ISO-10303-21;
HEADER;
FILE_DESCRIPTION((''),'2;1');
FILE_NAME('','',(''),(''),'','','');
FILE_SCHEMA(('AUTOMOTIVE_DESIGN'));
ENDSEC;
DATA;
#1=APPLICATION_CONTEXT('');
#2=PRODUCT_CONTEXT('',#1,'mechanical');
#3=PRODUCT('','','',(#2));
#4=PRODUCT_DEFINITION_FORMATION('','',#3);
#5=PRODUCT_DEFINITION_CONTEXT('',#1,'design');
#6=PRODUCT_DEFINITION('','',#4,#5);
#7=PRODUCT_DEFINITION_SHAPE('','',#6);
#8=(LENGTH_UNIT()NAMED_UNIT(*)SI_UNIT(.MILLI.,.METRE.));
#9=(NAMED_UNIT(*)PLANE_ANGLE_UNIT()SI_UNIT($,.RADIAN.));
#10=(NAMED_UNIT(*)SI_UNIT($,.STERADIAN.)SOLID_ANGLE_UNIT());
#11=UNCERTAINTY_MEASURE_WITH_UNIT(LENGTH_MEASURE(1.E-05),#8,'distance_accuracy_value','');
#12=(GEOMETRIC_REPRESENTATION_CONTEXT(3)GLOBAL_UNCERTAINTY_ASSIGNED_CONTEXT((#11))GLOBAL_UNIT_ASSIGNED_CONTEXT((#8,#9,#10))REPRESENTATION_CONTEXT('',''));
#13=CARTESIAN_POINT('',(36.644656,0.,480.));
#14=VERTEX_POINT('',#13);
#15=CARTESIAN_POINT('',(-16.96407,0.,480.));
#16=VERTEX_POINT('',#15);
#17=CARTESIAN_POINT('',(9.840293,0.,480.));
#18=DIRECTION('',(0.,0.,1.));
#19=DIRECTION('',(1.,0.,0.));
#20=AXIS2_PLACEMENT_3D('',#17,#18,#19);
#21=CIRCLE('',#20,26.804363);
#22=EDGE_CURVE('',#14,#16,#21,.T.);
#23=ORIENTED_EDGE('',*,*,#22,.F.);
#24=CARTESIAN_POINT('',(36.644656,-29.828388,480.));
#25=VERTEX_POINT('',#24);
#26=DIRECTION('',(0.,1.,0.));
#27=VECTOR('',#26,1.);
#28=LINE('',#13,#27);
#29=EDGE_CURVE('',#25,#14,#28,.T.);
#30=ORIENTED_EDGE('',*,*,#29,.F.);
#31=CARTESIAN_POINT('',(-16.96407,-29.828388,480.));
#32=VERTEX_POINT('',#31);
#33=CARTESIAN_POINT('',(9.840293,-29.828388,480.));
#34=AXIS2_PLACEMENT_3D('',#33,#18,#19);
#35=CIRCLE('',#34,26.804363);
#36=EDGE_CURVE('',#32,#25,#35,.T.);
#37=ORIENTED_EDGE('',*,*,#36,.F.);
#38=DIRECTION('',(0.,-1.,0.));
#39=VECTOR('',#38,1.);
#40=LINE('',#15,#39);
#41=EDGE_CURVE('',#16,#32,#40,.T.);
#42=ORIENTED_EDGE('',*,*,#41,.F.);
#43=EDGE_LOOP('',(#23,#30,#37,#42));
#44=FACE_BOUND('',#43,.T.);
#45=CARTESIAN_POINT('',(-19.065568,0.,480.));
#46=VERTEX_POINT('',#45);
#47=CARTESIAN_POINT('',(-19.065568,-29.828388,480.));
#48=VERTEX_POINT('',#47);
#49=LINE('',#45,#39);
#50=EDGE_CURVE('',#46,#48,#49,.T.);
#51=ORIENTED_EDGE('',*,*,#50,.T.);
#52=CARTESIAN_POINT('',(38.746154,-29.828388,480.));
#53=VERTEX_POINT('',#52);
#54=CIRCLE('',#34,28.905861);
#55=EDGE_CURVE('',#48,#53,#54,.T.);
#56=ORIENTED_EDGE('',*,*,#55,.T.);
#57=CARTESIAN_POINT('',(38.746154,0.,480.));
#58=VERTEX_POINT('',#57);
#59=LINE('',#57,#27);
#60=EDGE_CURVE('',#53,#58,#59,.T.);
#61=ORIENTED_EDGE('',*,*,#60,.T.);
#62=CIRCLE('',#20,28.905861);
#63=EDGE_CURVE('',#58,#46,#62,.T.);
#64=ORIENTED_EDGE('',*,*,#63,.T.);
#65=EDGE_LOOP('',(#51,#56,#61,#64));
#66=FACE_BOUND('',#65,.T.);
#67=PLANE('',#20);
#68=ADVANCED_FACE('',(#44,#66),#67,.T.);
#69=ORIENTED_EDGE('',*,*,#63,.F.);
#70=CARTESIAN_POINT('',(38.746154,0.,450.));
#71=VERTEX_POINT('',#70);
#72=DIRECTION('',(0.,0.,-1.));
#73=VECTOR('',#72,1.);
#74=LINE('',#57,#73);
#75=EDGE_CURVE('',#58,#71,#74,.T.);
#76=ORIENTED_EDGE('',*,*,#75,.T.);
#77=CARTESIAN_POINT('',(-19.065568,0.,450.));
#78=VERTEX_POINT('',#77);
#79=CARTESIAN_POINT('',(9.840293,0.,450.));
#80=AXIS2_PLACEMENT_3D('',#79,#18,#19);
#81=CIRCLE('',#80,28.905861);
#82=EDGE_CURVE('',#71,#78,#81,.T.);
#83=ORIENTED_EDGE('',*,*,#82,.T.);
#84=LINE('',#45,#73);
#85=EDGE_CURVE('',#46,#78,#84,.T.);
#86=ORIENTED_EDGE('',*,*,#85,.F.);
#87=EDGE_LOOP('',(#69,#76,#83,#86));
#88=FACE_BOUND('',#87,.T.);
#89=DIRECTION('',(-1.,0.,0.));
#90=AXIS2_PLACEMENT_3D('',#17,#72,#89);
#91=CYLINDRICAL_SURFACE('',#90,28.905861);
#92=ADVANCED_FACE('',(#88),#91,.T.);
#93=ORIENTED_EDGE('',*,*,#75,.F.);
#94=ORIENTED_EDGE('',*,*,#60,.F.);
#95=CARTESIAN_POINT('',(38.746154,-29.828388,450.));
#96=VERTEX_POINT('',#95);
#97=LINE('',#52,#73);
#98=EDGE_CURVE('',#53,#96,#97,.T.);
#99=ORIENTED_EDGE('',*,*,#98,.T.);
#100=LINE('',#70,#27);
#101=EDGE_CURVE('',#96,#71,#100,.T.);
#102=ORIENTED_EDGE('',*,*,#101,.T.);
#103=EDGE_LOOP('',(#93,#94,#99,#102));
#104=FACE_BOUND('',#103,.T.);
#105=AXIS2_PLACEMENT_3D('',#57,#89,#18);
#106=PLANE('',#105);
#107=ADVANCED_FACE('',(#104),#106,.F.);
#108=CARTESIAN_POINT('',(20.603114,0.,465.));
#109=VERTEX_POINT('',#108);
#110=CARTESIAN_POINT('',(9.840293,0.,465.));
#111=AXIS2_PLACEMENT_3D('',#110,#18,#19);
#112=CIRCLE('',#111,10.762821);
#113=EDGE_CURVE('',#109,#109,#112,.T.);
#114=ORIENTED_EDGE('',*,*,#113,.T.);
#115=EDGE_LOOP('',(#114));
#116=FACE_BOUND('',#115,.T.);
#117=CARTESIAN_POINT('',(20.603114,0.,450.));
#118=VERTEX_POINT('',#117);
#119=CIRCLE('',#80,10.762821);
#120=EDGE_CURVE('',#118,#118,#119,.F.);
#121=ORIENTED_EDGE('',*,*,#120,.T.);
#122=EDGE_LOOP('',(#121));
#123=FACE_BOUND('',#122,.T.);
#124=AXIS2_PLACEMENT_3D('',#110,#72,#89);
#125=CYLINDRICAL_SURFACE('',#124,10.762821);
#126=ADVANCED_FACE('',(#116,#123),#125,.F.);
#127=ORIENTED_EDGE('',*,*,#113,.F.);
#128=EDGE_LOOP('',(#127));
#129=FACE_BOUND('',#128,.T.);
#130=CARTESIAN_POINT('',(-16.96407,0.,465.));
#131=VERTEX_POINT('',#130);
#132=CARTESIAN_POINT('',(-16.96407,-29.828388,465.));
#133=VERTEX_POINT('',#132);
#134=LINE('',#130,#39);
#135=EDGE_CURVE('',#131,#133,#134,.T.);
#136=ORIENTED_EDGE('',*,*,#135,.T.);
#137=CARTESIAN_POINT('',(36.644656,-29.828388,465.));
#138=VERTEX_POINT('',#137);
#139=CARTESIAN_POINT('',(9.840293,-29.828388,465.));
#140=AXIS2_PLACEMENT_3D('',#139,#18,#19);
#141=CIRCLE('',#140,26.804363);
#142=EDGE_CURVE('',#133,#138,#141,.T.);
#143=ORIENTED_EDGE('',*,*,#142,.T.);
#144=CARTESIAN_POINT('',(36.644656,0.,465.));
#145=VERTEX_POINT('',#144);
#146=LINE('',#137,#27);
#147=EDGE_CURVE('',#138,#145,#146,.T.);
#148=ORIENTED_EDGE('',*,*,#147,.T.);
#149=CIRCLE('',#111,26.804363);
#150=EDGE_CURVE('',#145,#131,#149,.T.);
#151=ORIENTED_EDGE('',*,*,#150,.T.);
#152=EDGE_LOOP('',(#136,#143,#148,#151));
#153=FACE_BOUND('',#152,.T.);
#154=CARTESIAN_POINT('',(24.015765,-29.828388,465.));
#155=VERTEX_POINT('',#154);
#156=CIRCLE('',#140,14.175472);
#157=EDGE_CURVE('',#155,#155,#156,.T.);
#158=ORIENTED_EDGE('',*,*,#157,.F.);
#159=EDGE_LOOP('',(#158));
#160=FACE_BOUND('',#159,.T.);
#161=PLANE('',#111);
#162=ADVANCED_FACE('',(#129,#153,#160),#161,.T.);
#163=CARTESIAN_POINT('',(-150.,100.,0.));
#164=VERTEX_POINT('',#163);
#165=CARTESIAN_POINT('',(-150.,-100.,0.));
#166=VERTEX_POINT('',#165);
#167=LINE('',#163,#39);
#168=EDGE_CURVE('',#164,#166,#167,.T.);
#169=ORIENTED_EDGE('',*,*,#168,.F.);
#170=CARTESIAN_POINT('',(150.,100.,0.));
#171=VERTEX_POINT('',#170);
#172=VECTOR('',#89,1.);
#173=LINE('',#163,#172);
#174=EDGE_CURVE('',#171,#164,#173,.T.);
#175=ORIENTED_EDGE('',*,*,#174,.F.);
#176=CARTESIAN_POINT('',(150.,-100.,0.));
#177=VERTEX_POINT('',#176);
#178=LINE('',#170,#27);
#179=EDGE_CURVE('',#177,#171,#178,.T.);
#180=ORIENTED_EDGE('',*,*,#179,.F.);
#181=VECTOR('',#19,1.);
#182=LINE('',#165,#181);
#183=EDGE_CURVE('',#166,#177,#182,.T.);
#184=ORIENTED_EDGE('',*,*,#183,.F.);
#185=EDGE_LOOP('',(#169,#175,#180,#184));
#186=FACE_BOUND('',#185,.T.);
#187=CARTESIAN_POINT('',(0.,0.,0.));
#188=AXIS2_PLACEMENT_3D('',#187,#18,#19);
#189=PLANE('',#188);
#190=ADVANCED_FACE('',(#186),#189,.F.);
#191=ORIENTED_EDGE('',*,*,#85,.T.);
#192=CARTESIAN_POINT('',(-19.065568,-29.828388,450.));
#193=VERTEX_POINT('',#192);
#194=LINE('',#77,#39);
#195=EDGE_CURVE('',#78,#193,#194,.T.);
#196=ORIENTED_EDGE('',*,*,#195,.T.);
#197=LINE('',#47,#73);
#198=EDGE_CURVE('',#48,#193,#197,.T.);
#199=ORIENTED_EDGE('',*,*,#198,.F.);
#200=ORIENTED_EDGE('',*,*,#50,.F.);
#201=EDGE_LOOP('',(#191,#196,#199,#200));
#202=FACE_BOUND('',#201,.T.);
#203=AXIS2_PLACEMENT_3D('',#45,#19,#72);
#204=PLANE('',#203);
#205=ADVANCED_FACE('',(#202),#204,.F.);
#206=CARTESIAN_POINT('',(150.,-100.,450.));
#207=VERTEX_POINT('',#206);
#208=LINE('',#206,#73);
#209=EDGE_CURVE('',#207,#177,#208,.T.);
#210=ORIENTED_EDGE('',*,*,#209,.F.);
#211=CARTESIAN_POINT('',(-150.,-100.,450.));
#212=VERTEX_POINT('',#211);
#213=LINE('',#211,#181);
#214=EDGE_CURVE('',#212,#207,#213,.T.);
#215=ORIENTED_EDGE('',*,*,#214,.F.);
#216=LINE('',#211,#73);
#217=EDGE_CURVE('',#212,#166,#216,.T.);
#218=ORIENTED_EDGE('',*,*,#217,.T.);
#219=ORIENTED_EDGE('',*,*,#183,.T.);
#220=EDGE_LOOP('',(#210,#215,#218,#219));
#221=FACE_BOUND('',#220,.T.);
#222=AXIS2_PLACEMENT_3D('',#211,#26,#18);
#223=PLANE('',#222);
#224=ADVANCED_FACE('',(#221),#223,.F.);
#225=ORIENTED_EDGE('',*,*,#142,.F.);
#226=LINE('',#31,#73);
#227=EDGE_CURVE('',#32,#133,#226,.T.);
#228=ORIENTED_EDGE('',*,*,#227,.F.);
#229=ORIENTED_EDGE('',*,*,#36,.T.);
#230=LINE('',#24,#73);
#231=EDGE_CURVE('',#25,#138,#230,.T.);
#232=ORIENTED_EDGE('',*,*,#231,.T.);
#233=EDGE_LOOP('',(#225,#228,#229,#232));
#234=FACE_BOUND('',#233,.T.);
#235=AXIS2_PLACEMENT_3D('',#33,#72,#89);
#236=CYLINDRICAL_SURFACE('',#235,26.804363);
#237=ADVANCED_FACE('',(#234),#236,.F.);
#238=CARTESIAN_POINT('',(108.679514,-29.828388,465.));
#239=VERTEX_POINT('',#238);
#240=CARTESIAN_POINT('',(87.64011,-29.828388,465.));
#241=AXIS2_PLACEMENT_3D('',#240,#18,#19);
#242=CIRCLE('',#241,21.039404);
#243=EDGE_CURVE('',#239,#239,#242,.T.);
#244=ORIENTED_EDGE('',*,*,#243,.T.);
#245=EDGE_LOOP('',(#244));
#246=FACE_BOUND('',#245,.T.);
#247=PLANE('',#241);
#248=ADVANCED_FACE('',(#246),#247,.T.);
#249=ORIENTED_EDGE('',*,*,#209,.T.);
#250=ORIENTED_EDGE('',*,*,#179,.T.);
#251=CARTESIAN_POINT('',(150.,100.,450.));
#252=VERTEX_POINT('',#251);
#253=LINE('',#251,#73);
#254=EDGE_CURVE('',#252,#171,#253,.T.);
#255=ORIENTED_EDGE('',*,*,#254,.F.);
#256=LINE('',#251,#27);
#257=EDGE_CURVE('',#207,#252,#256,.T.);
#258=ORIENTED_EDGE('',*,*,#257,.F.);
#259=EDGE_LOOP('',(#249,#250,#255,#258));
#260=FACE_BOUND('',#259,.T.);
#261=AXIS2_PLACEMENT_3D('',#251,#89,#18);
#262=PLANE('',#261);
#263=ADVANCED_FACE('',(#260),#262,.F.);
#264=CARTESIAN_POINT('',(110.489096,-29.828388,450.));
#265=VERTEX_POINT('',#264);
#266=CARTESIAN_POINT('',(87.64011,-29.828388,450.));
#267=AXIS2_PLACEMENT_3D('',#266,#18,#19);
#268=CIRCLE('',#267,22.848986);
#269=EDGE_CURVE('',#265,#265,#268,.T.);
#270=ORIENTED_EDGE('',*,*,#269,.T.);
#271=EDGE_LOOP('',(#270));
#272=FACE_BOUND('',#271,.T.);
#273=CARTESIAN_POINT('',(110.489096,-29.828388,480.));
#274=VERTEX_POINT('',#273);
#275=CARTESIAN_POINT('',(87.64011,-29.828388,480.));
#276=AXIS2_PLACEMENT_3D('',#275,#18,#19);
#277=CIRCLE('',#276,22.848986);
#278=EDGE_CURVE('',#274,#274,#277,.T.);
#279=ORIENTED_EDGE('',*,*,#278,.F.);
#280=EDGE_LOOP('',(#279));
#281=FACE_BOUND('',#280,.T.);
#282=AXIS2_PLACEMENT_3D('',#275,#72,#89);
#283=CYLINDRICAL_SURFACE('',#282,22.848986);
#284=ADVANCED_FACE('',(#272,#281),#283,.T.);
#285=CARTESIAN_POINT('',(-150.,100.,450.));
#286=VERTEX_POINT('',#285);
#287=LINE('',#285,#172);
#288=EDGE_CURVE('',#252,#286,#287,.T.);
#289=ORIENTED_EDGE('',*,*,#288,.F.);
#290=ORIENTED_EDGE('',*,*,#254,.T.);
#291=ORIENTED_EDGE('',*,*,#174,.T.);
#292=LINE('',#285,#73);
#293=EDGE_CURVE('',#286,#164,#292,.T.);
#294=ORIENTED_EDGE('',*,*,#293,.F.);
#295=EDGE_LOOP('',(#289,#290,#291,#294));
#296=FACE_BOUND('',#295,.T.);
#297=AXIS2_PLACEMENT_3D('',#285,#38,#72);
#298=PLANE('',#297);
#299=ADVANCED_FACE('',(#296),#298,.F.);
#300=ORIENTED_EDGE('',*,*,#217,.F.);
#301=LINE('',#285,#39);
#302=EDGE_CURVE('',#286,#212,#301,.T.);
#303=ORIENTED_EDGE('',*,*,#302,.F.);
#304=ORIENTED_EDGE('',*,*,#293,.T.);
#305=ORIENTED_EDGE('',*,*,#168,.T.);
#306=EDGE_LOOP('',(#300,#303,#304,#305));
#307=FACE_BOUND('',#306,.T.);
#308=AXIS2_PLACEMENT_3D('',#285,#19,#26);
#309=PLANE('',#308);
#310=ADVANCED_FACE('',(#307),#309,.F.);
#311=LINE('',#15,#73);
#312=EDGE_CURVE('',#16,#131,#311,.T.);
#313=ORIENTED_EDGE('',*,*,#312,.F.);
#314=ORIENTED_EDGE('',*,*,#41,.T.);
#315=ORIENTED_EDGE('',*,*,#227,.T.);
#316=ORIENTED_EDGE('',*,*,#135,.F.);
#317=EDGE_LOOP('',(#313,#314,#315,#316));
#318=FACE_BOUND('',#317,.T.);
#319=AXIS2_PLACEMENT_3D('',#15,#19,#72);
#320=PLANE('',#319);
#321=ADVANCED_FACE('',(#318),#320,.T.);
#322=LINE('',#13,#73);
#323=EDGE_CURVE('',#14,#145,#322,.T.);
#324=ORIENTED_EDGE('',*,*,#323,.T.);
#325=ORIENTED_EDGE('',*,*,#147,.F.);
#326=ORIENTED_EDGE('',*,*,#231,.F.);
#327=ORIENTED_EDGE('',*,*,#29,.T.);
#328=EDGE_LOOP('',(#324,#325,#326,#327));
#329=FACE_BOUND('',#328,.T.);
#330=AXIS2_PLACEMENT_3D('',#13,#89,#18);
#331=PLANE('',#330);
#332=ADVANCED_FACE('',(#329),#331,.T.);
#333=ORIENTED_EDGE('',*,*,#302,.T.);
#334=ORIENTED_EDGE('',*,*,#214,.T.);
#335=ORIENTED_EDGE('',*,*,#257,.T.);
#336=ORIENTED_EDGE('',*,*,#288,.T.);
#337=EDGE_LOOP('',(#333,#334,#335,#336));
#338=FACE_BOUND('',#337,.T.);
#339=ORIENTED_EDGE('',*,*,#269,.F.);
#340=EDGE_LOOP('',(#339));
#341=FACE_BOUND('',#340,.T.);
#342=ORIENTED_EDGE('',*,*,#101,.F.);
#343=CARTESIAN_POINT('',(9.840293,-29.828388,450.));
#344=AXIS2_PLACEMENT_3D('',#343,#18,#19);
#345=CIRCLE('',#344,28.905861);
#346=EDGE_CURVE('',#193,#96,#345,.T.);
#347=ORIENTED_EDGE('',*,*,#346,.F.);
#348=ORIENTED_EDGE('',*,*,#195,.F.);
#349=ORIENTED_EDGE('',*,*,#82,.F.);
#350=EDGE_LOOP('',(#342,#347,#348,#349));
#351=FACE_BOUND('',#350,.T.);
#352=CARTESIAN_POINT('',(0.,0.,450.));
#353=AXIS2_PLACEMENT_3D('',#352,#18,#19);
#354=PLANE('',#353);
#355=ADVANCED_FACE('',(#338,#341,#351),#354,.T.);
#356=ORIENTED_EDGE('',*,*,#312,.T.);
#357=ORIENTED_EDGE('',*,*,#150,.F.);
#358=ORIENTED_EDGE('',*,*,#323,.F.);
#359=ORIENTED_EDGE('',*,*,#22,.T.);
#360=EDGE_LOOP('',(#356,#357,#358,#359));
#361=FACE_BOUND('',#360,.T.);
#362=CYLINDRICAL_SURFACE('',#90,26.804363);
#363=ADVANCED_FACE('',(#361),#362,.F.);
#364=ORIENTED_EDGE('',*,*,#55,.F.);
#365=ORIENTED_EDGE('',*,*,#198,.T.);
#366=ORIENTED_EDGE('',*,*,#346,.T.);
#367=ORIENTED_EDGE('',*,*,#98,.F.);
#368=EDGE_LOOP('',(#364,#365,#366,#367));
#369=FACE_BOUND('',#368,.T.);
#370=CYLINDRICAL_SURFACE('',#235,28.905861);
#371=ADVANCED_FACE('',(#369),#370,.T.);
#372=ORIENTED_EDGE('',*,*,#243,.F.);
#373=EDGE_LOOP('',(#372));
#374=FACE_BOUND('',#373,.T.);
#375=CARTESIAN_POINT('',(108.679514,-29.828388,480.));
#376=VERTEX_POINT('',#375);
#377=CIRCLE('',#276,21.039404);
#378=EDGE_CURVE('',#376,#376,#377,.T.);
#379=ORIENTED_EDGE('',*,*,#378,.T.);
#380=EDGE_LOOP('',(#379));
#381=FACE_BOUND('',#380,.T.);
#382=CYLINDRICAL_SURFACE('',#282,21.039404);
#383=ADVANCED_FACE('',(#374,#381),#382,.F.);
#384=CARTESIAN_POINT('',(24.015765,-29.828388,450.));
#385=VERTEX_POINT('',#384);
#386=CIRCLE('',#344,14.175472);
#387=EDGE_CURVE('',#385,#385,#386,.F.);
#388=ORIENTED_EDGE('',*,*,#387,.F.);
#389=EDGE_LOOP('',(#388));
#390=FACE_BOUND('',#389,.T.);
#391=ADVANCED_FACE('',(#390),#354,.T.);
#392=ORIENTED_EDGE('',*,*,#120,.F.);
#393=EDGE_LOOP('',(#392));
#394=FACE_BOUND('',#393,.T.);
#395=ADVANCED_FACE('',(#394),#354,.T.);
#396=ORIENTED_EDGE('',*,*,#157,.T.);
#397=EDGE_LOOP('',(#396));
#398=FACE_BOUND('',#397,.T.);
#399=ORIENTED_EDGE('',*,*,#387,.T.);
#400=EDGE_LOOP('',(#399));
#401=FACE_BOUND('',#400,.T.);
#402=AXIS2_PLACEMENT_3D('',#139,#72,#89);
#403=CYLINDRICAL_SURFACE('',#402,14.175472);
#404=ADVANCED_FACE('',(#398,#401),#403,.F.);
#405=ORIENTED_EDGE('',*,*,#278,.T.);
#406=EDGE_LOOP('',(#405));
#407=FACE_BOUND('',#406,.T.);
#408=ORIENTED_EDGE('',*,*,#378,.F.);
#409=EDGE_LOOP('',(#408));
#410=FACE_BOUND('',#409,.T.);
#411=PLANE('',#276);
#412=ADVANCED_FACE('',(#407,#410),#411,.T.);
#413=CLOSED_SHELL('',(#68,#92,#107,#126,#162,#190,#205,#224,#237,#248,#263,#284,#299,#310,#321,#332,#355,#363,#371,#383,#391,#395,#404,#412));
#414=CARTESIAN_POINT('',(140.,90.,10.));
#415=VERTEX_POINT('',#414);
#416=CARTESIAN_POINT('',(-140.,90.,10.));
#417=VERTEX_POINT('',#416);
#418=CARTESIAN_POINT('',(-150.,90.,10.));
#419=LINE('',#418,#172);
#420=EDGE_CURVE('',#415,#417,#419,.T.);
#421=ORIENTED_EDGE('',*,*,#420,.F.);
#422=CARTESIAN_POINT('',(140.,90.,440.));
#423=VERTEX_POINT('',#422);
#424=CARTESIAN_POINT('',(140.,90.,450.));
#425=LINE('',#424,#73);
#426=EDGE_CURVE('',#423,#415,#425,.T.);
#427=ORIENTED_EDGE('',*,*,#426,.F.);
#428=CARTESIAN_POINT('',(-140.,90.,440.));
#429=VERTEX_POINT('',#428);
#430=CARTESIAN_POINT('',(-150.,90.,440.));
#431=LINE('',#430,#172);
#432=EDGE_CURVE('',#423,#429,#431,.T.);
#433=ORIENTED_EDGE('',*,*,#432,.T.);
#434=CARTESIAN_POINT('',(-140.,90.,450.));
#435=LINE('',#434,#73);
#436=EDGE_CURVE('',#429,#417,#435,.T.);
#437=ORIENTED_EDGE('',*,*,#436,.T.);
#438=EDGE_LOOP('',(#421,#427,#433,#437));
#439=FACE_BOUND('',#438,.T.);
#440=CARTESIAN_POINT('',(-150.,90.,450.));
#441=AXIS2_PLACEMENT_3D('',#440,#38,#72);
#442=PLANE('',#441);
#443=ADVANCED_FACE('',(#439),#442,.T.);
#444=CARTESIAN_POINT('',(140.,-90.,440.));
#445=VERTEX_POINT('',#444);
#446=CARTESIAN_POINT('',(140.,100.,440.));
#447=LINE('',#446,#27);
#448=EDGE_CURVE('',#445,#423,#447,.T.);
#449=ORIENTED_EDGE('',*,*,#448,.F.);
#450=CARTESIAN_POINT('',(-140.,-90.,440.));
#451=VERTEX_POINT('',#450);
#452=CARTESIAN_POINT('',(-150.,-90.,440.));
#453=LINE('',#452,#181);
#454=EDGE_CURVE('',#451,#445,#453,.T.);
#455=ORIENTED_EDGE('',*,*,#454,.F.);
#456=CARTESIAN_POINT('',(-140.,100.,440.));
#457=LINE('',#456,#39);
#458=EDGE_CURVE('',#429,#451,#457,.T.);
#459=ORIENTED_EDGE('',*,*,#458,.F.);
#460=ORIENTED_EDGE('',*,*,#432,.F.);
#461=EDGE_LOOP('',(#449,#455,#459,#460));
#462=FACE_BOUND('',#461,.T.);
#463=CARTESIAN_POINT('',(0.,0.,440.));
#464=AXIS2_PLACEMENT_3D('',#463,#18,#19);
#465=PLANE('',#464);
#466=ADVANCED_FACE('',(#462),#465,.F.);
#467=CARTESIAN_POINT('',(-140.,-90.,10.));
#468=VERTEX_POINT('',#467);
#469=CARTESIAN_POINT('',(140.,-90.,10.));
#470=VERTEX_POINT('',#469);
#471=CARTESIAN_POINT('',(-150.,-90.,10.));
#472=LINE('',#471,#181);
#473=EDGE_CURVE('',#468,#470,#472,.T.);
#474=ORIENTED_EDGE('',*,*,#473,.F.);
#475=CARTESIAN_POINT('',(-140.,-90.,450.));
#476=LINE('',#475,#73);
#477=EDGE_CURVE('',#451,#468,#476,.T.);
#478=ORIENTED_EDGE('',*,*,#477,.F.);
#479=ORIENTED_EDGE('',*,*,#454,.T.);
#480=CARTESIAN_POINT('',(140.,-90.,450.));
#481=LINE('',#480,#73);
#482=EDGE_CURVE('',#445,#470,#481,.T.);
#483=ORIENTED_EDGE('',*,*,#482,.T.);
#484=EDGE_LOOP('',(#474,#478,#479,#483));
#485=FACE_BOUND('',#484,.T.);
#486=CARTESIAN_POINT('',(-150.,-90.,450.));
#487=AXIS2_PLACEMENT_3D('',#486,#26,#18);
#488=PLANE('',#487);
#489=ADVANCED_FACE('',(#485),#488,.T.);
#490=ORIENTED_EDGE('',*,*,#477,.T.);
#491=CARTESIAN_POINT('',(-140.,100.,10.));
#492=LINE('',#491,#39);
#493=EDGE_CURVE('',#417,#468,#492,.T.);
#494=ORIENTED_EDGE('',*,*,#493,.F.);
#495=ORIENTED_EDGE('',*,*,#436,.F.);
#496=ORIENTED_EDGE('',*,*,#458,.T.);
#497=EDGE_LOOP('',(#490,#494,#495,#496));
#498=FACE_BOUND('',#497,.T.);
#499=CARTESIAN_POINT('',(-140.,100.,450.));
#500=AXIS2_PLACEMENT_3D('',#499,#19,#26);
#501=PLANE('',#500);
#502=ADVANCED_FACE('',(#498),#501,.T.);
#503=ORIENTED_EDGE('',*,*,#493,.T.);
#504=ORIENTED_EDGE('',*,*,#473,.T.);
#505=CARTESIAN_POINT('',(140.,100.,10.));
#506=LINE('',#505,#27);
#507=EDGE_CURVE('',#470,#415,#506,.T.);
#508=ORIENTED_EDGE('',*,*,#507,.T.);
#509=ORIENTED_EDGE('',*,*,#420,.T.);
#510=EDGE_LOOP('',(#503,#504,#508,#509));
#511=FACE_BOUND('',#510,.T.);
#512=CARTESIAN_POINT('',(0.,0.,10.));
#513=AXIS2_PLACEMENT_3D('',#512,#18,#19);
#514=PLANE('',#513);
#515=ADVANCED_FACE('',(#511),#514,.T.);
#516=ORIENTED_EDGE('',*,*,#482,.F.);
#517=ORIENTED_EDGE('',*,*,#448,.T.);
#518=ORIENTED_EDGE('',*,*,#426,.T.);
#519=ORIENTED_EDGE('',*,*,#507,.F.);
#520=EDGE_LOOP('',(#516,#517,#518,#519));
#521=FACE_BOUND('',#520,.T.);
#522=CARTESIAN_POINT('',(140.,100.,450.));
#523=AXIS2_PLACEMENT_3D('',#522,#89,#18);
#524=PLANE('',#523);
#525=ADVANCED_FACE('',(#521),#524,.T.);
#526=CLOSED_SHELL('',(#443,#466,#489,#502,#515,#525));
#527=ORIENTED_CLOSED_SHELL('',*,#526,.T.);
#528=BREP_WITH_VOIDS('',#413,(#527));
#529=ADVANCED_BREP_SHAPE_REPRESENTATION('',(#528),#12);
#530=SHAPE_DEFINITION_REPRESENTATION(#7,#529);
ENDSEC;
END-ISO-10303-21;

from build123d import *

# Parameters (mm, degrees)
SKETCH1_W           = 300
SKETCH1_H           = 200
BOSS_EXTRUDE1_DEPTH = 450
SHELL1_T            = 10
SKETCH2_R           = 22.84898586
SKETCH2_R_2         = 21.039403667
BOSS_EXTRUDE2_DEPTH = 30
SKETCH5_R           = 10.76282056
SKETCH5_R_2         = 14.175471805
BOSS_EXTRUDE3_DEPTH = 15
SKETCH6_R           = 21.039403667
BOSS_EXTRUDE4_DEPTH = 15


with BuildPart() as part:
    # Sketch1 → Boss-Extrude1 (new body)
    with BuildSketch(Plane.XY):
        Rectangle(SKETCH1_W, SKETCH1_H)
    extrude(amount=BOSS_EXTRUDE1_DEPTH)

    # Shell1 (no face opened: a closed hollow body)
    add(offset(amount=-SHELL1_T, mode=Mode.PRIVATE), mode=Mode.SUBTRACT)

    # Sketch2 → Boss-Extrude2 (add)
    # profile 1 of 2: a face of its own
    with BuildSketch(Plane.XY.offset(450)):
        with Locations((87.640110274, -29.828388409)):
            Circle(SKETCH2_R)
        with Locations((87.640110274, -29.828388409)):
            Circle(SKETCH2_R_2, mode=Mode.SUBTRACT)
    # profile 2 of 2: a face of its own
    with BuildSketch(Plane.XY.offset(450)):
        with BuildLine():
            Line((-19.065567849, 0), (-19.065567849, -29.828388409))
            ThreePointArc((-19.065567849, -29.828388409), (9.840293083, -58.734249341), (38.746154016, -29.828388409))
            Line((38.746154016, -29.828388409), (38.746154016, 0))
            ThreePointArc((38.746154016, 0), (9.840293083, 28.905860932), (-19.065567849, 0))
        make_face()
        with BuildLine():
            Line((-16.964069854, 0), (-16.964069854, -29.828388409))
            ThreePointArc((-16.964069854, -29.828388409), (9.840293083, -56.632751347), (36.644656021, -29.828388409))
            Line((36.644656021, -29.828388409), (36.644656021, 0))
            ThreePointArc((36.644656021, 0), (9.840293083, 26.804362938), (-16.964069854, 0))
        make_face(mode=Mode.SUBTRACT)
    extrude(amount=BOSS_EXTRUDE2_DEPTH)

    # Sketch5 → Boss-Extrude3 (add)
    with BuildSketch(Plane.XY.offset(450)):
        with BuildLine():
            Line((-16.964069854, 0), (-16.964069854, -29.828388409))
            ThreePointArc((-16.964069854, -29.828388409), (9.840293083, -56.632751347), (36.644656021, -29.828388409))
            Line((36.644656021, -29.828388409), (36.644656021, 0))
            ThreePointArc((36.644656021, 0), (9.840293083, 26.804362938), (-16.964069854, 0))
        make_face()
        with Locations((9.840293083, 0)):
            Circle(SKETCH5_R, mode=Mode.SUBTRACT)
        with Locations((9.840293083, -29.828388409)):
            Circle(SKETCH5_R_2, mode=Mode.SUBTRACT)
    extrude(amount=BOSS_EXTRUDE3_DEPTH)

    # Sketch6 → Boss-Extrude4 (add)
    with BuildSketch(Plane.XY.offset(450)):
        with Locations((87.640110274, -29.828388409)):
            Circle(SKETCH6_R)
    extrude(amount=BOSS_EXTRUDE4_DEPTH)


solid = part.part
